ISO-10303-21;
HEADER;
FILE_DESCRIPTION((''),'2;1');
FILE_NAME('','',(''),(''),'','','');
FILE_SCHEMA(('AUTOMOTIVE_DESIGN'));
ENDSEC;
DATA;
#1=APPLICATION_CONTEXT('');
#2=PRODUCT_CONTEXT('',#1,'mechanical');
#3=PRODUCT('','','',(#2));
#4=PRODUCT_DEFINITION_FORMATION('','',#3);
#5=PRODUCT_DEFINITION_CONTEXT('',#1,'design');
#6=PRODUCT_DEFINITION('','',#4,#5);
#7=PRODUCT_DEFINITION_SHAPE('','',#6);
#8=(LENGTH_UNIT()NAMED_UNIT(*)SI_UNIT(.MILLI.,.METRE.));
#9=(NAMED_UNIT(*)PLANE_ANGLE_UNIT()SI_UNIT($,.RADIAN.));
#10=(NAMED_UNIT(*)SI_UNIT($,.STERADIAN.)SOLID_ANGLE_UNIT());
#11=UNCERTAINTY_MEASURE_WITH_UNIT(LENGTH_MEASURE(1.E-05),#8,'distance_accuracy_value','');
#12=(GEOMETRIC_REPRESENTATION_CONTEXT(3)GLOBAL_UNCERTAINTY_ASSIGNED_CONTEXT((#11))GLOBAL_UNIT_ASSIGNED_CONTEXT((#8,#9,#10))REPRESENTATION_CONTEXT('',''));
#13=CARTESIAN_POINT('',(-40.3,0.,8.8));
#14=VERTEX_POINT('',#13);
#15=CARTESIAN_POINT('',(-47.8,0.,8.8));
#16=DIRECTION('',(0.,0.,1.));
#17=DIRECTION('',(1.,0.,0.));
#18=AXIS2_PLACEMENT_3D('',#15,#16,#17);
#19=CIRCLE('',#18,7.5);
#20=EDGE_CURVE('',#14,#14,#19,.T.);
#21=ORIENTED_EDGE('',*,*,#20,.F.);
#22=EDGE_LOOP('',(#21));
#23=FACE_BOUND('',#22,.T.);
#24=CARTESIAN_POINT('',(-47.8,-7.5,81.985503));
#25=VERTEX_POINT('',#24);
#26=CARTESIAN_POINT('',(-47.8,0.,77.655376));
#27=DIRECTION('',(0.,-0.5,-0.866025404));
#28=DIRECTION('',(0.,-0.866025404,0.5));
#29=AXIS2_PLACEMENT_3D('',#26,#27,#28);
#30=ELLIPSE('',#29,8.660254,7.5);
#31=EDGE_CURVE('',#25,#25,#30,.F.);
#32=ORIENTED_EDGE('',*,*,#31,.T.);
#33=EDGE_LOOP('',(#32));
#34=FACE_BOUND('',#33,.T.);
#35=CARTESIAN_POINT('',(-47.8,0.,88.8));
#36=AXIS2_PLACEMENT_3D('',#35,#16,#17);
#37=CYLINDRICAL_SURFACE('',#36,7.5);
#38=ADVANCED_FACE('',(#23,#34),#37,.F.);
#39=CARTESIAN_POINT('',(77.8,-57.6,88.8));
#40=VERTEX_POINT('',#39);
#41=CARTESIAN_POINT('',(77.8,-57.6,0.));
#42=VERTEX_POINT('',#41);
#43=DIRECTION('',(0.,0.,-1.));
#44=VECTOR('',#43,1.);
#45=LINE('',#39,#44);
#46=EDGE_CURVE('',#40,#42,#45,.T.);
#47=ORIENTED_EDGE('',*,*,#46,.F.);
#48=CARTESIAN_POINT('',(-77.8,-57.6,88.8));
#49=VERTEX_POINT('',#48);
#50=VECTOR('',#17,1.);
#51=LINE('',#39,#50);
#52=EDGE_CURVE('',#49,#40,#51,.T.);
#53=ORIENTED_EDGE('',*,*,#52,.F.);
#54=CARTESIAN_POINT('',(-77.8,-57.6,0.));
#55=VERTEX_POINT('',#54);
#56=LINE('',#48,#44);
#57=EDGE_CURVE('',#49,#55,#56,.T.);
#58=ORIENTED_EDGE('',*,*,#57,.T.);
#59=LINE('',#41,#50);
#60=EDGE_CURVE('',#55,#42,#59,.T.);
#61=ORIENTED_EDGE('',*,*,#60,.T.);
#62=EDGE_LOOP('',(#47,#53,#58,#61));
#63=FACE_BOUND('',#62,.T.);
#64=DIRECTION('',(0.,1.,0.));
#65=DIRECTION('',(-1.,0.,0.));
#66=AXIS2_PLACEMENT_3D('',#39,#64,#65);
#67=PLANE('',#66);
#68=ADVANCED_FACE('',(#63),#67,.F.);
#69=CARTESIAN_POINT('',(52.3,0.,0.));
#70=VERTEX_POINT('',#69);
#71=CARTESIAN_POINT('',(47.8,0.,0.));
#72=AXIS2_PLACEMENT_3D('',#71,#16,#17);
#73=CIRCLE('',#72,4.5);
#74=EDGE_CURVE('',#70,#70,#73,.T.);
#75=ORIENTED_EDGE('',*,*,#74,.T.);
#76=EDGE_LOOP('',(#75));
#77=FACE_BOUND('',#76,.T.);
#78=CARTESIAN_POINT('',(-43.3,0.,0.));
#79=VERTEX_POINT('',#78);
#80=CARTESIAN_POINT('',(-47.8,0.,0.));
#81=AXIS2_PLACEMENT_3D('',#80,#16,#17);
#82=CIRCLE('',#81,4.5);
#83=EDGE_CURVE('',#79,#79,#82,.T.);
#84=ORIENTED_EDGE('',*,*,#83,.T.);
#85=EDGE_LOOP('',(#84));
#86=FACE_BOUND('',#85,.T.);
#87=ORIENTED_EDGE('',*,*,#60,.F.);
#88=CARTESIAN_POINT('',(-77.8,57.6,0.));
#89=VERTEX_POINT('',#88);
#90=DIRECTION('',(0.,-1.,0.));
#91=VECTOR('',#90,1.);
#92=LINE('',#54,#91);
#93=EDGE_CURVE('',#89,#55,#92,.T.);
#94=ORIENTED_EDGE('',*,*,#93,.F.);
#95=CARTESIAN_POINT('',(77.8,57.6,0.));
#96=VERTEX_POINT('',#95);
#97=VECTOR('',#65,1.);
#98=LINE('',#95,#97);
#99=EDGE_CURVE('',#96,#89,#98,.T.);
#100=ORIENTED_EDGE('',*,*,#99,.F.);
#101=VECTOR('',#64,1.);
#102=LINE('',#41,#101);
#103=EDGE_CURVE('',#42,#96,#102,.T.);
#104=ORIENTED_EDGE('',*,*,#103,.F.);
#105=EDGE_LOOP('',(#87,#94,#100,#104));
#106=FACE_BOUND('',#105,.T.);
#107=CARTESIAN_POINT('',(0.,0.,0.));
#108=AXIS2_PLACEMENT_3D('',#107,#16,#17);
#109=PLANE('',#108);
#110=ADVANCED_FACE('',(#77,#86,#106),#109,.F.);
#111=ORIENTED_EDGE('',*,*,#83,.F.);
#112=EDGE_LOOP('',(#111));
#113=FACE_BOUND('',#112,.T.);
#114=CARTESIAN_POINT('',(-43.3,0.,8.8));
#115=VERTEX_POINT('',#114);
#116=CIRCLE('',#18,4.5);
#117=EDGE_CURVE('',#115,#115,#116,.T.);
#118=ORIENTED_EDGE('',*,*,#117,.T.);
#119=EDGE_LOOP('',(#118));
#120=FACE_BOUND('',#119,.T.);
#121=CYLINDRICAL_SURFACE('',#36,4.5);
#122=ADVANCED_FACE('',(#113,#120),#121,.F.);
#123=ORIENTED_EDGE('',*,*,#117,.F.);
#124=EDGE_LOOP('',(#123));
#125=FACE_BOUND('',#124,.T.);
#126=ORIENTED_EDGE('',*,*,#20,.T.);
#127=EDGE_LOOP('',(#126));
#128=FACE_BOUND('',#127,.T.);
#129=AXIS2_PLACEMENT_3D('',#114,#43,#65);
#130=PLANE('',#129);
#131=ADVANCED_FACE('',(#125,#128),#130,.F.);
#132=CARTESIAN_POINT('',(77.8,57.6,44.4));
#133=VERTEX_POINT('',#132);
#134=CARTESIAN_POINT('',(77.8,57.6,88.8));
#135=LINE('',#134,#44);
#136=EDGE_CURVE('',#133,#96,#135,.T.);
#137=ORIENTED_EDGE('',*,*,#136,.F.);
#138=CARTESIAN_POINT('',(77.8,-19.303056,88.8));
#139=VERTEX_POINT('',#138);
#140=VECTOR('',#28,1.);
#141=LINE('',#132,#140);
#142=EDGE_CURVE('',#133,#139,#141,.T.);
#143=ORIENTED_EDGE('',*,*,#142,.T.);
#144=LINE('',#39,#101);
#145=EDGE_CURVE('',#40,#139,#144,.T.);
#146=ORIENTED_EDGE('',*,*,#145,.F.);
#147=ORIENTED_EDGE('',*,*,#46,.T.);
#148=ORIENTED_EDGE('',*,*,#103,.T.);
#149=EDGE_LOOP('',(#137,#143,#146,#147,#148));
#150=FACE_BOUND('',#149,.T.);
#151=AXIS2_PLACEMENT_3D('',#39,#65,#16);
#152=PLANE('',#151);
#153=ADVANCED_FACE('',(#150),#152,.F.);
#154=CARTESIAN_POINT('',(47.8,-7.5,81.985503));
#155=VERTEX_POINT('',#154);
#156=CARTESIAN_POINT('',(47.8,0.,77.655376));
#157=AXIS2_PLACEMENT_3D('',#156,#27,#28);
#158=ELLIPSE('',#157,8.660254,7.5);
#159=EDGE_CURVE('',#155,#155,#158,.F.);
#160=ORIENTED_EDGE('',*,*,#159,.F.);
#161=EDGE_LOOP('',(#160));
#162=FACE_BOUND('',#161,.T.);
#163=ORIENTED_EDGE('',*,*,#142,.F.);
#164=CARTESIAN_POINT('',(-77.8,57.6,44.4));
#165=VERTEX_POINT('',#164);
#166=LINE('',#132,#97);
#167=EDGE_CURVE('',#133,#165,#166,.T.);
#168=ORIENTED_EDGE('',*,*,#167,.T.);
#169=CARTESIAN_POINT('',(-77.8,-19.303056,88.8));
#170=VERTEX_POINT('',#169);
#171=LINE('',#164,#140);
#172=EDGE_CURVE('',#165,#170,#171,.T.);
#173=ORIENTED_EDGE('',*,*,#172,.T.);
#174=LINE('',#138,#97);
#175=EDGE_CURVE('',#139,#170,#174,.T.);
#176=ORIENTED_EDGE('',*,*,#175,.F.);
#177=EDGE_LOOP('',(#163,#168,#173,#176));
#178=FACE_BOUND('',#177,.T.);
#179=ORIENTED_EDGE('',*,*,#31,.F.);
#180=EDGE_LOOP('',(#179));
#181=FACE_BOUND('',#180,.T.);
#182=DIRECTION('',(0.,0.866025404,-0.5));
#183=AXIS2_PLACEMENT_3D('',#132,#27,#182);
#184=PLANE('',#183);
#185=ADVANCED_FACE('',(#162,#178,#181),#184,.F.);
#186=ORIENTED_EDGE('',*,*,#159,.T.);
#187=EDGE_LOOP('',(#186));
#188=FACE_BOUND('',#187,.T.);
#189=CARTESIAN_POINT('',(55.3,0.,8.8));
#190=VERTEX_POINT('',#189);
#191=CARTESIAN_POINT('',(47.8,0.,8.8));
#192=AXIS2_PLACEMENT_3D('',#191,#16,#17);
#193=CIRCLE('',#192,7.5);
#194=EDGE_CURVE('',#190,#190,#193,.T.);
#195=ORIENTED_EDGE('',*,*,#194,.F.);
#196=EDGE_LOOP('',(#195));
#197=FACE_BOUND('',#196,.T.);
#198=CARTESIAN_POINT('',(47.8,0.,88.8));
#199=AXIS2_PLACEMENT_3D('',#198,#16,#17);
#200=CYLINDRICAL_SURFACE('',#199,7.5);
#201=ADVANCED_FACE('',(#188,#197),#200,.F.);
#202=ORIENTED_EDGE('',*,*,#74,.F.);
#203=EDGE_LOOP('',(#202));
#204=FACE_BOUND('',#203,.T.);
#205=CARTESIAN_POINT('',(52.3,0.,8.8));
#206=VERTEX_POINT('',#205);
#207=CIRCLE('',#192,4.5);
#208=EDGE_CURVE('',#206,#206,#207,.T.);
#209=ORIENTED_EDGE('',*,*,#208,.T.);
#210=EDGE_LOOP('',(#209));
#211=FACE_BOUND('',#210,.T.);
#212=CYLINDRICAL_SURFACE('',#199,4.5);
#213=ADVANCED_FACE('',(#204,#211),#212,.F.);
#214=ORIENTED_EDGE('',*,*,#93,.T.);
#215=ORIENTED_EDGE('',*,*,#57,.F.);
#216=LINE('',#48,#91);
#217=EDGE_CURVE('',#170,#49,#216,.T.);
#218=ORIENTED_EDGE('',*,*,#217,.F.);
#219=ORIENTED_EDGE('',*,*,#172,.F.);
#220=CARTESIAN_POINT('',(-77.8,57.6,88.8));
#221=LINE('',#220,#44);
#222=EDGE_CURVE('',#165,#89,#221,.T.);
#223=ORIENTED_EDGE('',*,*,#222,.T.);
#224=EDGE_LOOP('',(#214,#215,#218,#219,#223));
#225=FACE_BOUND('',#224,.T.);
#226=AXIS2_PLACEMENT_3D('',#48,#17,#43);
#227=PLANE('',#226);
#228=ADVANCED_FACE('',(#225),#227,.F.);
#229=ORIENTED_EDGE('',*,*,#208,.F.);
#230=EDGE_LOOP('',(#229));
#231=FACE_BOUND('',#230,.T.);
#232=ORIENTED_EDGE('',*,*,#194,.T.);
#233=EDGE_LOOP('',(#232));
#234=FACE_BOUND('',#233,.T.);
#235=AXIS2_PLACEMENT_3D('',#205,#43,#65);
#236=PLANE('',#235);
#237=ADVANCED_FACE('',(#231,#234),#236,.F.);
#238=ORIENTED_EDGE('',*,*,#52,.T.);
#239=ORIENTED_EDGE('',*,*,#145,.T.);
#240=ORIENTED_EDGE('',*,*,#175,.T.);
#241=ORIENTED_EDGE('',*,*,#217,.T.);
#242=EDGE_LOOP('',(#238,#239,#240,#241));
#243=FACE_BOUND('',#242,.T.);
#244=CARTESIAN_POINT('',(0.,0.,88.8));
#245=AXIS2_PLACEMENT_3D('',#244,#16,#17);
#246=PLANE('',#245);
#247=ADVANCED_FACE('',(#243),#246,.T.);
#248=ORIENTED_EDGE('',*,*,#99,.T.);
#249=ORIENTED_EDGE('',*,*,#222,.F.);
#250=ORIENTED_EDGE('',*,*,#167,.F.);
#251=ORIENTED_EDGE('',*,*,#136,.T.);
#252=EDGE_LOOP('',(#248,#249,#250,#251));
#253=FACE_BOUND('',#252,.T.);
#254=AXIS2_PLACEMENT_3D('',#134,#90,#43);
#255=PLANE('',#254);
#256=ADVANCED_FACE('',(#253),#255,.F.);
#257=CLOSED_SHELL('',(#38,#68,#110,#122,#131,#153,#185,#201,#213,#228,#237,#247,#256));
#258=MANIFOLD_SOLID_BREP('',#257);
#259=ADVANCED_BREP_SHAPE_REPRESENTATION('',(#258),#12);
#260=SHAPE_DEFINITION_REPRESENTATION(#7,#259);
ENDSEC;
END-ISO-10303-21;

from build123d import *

# Parameters (mm, degrees)
SKIZZE1_W                                           = 155.6
SKIZZE1_H                                           = 115.2
AUFSATZ_LINEAR_AUSTRAGEN1_DEPTH                     = 88.8
STIRNSENKUNG_F_R_M8_SENKSCHRAUBE_KOPF_B_D           = 9
STIRNSENKUNG_F_R_M8_SENKSCHRAUBE_KOPF_B_CBORE_D     = 15
STIRNSENKUNG_F_R_M8_SENKSCHRAUBE_KOPF_B_CBORE_DEPTH = 80
SCHNITT_LINEAR_AUSTRAGEN1_DEPTH                     = 189.187566008


with BuildPart() as part:
    # Skizze1 → Aufsatz-Linear austragen1 (new body)
    with BuildSketch(Plane.XY):
        Rectangle(SKIZZE1_W, SKIZZE1_H)
    extrude(amount=AUFSATZ_LINEAR_AUSTRAGEN1_DEPTH)

    # Stirnsenkung für M8 Senkschraube (Kopf Button)1 (through all)
    with Locations(Plane.XY.offset(88.8)):
        with Locations((-47.8, 0)):
            stirnsenkung_f_r_m8_senkschraube_kopf_b = CounterBoreHole(STIRNSENKUNG_F_R_M8_SENKSCHRAUBE_KOPF_B_D / 2, STIRNSENKUNG_F_R_M8_SENKSCHRAUBE_KOPF_B_CBORE_D / 2, STIRNSENKUNG_F_R_M8_SENKSCHRAUBE_KOPF_B_CBORE_DEPTH)

    # Spiegeln1: Stirnsenkung für M8 Senkschraube (Kopf Button)1 across plane
    add(stirnsenkung_f_r_m8_senkschraube_kopf_b.mirror(Plane(origin=(0, 0, 0), x_dir=(0, 0, 1), z_dir=(1, 0, 0))), mode=Mode.SUBTRACT)

    # Skizze6 → Schnitt-Linear austragen1 (cut, through all)
    with BuildSketch(Plane.ZY.offset(77.8)):
        Polygon((44.4, 57.6), (88.8, -19.303055856), (88.8, 57.6), align=None)
    extrude(amount=-SCHNITT_LINEAR_AUSTRAGEN1_DEPTH, mode=Mode.SUBTRACT)


solid = part.part
